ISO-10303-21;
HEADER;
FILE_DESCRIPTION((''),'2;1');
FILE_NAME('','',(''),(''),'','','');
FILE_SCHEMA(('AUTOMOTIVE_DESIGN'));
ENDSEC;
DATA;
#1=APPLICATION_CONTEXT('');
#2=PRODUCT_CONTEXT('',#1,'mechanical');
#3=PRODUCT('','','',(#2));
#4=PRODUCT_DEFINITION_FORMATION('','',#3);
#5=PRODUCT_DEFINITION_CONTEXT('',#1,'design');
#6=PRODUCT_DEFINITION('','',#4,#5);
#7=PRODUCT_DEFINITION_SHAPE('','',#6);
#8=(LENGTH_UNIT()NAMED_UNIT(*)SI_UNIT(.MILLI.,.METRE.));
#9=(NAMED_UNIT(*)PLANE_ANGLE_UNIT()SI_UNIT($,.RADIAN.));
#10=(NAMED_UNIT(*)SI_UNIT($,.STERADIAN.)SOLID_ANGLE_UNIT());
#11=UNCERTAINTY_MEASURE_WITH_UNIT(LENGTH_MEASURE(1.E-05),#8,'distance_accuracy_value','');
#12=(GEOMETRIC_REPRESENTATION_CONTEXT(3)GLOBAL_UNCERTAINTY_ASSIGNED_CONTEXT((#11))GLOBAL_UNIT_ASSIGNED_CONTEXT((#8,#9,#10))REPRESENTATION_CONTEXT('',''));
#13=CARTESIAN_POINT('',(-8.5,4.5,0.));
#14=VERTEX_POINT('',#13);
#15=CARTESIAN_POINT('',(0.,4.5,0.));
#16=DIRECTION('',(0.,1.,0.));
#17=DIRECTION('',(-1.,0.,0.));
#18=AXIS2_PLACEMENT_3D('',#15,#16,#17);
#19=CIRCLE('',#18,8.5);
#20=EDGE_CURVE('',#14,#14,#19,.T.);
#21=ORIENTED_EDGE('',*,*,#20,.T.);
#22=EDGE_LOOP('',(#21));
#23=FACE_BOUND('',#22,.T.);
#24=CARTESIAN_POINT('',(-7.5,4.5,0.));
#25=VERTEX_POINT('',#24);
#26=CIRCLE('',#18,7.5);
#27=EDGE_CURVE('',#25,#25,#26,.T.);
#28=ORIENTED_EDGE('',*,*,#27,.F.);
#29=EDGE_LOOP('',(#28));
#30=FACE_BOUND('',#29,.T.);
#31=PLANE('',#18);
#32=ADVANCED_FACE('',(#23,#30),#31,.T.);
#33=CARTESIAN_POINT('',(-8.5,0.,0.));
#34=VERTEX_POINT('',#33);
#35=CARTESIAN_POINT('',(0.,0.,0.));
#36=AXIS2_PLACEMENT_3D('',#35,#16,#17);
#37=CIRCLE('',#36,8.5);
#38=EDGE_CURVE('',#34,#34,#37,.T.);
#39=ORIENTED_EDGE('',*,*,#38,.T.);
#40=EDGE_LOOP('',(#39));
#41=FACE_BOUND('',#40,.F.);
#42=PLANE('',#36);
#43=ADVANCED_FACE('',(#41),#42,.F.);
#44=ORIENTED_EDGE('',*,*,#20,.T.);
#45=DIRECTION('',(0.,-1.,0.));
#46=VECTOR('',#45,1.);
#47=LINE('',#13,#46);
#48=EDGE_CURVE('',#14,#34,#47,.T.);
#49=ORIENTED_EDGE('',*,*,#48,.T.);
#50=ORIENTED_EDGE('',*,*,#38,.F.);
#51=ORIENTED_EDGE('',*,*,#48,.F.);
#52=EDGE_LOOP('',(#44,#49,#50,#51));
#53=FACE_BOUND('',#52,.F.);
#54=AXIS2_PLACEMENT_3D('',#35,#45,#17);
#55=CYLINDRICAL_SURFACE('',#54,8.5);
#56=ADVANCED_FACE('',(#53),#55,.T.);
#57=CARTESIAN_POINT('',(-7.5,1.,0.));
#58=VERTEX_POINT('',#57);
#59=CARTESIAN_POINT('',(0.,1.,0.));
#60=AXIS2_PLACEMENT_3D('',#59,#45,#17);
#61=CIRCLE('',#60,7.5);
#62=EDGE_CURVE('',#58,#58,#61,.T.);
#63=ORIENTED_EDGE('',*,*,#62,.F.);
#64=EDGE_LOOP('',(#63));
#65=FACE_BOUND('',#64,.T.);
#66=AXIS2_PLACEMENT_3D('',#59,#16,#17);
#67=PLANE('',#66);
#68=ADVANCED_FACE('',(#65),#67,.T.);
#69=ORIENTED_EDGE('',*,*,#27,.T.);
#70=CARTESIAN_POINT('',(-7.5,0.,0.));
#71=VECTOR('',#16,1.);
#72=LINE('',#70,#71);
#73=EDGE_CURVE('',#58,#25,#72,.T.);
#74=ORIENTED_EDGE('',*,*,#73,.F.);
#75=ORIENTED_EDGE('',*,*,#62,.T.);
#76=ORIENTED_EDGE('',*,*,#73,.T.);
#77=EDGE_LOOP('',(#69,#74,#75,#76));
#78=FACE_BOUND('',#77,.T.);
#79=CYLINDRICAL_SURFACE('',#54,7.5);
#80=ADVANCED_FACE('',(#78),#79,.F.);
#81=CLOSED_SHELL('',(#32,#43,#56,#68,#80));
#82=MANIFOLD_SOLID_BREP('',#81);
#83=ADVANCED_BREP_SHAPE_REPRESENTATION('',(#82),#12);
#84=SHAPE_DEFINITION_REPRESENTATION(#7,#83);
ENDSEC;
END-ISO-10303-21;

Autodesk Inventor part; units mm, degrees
ref_plane "YZ Plane" through (0, 0, 0) normal (1, 0, 0) x (0, 1, 0)
ref_plane "XZ Plane" through (0, 0, 0) normal (0, 1, 0) x (-1, 0, 0)
ref_plane "XY Plane" through (0, 0, 0) normal (0, 0, 1) x (1, 0, 0)
sketch "Sketch1" plane through (0, 0, 0) normal (0, 1, 0) x (-1, 0, 0)
  circle A0 centre (0, 0) radius 7.5
  circle A1 centre (0, 0) radius 8.5
  dimension "d0" = 15
  dimension "d1" = 17
extrude "Extrusion1" add sketch "Sketch1" along normal blind 1 contours A0 | A1
extrude "Extrusion2" add sketch "Sketch1" along normal blind 4.5
properties part number "TAPA EJE_3DPrint"
